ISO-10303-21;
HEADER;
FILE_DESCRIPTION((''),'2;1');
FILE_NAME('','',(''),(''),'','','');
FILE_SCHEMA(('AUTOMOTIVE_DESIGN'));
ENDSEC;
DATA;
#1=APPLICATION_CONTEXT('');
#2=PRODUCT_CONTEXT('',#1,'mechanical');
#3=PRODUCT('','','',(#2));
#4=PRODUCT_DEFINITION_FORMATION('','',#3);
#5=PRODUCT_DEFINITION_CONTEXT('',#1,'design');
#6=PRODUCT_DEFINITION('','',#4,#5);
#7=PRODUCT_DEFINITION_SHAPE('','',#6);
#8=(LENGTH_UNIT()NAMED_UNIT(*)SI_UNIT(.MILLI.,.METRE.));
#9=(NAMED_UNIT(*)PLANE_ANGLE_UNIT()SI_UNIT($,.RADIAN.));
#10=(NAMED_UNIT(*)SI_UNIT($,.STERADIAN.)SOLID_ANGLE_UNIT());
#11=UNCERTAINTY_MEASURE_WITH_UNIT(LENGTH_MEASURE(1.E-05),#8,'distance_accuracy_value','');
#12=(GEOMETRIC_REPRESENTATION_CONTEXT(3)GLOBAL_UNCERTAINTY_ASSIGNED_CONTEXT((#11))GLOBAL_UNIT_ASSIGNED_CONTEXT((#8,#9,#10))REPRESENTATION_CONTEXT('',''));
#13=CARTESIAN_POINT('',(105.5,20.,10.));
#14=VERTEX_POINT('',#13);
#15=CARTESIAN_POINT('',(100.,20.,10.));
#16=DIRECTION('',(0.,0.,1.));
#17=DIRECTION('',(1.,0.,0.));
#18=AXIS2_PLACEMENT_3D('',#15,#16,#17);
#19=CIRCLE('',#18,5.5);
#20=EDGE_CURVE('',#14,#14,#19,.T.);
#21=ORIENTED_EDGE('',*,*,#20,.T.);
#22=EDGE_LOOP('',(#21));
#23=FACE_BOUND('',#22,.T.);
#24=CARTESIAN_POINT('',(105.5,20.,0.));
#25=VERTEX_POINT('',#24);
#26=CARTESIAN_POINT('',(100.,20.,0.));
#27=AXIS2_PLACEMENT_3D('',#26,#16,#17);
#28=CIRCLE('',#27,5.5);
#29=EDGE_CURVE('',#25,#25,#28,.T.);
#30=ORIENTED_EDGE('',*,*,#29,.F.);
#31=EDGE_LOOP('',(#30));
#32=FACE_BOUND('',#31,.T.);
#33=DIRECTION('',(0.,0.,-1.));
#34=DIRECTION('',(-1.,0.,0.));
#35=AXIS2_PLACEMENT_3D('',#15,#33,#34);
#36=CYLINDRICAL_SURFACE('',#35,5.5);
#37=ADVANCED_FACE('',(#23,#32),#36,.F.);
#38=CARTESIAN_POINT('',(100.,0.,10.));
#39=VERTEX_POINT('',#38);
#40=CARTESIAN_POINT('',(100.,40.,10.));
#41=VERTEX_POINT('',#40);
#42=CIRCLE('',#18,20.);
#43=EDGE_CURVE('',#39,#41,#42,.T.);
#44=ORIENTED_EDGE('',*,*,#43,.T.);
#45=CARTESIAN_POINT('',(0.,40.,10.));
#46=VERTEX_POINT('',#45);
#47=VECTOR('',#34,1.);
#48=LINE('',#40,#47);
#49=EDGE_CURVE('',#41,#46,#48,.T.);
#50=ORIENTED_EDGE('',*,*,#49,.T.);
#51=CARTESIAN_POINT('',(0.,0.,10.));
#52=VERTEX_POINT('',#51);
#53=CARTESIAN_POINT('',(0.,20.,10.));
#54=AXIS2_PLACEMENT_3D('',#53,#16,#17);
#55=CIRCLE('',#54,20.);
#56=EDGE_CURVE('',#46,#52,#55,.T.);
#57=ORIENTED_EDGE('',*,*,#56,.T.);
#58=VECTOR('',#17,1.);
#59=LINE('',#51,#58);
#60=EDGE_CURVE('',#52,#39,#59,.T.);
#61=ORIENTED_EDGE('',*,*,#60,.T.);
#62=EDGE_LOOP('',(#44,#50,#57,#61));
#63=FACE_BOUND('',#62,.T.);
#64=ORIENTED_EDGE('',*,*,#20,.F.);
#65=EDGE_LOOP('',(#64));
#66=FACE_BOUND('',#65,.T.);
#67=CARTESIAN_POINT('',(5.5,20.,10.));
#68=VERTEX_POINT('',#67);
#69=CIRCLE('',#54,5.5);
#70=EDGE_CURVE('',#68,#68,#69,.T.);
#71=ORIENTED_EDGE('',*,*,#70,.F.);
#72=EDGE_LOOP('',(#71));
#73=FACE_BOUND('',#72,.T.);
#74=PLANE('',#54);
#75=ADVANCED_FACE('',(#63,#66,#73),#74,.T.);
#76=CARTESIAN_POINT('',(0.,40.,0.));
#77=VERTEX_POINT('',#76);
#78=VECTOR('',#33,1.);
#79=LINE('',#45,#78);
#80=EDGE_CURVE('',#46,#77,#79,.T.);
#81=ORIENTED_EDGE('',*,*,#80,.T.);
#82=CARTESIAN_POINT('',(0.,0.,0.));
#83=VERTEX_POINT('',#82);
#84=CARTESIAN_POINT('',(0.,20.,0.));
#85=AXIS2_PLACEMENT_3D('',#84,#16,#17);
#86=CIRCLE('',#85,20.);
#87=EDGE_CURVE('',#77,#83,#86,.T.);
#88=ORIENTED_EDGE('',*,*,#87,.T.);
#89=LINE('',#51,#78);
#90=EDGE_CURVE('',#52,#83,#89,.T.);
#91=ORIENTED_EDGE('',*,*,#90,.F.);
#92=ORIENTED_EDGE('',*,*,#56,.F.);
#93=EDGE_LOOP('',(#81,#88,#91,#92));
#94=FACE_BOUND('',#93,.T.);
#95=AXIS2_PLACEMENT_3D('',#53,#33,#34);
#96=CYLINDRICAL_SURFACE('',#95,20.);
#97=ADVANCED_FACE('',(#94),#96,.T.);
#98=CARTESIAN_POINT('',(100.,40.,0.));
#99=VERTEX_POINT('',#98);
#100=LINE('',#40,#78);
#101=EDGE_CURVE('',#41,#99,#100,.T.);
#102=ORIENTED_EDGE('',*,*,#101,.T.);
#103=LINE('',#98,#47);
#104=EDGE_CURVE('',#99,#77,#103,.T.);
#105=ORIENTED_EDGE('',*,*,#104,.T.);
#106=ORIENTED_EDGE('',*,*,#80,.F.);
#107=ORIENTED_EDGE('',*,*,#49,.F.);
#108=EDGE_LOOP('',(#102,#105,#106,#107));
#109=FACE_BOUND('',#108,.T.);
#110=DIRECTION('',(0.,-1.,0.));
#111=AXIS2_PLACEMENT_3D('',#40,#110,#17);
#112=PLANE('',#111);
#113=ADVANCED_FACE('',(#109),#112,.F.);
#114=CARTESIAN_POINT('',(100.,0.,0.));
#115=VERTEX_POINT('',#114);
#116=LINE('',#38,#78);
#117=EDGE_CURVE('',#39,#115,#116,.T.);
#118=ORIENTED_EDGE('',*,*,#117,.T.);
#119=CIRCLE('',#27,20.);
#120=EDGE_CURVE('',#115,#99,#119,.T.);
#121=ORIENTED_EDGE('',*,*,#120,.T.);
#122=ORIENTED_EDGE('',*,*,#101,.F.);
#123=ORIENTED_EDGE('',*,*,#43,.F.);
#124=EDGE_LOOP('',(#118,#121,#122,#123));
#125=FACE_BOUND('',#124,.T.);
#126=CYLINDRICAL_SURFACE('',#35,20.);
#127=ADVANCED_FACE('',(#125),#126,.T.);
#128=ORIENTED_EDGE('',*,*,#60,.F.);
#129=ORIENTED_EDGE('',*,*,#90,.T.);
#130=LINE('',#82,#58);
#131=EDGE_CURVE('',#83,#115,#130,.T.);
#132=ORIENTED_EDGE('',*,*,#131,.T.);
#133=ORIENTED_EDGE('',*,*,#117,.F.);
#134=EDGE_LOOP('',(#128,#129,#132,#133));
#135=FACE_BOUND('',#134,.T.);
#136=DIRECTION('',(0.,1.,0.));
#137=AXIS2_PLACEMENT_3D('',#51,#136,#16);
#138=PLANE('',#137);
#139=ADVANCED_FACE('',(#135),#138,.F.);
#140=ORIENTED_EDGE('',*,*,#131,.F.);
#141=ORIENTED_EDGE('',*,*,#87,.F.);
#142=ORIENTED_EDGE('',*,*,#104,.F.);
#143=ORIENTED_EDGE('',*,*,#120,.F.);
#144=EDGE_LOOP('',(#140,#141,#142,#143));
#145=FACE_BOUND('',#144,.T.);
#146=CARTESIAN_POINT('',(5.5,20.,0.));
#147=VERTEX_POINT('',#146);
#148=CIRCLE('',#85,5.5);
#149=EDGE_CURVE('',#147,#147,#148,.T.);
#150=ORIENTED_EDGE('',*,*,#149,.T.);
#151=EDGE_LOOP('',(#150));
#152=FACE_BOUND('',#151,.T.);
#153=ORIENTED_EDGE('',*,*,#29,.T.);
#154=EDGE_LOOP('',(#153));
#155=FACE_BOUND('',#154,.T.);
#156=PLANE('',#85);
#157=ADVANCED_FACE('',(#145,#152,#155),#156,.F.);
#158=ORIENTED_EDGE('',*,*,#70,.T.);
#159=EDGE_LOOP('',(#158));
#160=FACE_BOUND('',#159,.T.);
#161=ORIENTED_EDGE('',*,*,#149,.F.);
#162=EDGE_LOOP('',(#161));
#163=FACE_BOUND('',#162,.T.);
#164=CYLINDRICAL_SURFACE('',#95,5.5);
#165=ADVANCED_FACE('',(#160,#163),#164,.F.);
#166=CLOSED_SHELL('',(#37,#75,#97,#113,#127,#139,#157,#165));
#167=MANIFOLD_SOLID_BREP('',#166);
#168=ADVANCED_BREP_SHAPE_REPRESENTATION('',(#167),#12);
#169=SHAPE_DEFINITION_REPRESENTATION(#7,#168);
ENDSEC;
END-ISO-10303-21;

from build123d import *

# Parameters (mm, degrees)
SKETCH1_R           = 5.5
BOSS_EXTRUDE1_DEPTH = 10


with BuildPart() as part:
    # Sketch1 → Boss-Extrude1 (new body)
    with BuildSketch(Plane.XY):
        with BuildLine():
            Line((0, 0), (100, 0))
            ThreePointArc((100, 0), (120, 20), (100, 40))
            Line((100, 40), (0, 40))
            ThreePointArc((0, 40), (-20, 20), (0, 0))
        make_face()
        with Locations((0, 20)):
            Circle(SKETCH1_R, mode=Mode.SUBTRACT)
        with Locations((100, 20)):
            Circle(SKETCH1_R, mode=Mode.SUBTRACT)
    extrude(amount=BOSS_EXTRUDE1_DEPTH)


solid = part.part
